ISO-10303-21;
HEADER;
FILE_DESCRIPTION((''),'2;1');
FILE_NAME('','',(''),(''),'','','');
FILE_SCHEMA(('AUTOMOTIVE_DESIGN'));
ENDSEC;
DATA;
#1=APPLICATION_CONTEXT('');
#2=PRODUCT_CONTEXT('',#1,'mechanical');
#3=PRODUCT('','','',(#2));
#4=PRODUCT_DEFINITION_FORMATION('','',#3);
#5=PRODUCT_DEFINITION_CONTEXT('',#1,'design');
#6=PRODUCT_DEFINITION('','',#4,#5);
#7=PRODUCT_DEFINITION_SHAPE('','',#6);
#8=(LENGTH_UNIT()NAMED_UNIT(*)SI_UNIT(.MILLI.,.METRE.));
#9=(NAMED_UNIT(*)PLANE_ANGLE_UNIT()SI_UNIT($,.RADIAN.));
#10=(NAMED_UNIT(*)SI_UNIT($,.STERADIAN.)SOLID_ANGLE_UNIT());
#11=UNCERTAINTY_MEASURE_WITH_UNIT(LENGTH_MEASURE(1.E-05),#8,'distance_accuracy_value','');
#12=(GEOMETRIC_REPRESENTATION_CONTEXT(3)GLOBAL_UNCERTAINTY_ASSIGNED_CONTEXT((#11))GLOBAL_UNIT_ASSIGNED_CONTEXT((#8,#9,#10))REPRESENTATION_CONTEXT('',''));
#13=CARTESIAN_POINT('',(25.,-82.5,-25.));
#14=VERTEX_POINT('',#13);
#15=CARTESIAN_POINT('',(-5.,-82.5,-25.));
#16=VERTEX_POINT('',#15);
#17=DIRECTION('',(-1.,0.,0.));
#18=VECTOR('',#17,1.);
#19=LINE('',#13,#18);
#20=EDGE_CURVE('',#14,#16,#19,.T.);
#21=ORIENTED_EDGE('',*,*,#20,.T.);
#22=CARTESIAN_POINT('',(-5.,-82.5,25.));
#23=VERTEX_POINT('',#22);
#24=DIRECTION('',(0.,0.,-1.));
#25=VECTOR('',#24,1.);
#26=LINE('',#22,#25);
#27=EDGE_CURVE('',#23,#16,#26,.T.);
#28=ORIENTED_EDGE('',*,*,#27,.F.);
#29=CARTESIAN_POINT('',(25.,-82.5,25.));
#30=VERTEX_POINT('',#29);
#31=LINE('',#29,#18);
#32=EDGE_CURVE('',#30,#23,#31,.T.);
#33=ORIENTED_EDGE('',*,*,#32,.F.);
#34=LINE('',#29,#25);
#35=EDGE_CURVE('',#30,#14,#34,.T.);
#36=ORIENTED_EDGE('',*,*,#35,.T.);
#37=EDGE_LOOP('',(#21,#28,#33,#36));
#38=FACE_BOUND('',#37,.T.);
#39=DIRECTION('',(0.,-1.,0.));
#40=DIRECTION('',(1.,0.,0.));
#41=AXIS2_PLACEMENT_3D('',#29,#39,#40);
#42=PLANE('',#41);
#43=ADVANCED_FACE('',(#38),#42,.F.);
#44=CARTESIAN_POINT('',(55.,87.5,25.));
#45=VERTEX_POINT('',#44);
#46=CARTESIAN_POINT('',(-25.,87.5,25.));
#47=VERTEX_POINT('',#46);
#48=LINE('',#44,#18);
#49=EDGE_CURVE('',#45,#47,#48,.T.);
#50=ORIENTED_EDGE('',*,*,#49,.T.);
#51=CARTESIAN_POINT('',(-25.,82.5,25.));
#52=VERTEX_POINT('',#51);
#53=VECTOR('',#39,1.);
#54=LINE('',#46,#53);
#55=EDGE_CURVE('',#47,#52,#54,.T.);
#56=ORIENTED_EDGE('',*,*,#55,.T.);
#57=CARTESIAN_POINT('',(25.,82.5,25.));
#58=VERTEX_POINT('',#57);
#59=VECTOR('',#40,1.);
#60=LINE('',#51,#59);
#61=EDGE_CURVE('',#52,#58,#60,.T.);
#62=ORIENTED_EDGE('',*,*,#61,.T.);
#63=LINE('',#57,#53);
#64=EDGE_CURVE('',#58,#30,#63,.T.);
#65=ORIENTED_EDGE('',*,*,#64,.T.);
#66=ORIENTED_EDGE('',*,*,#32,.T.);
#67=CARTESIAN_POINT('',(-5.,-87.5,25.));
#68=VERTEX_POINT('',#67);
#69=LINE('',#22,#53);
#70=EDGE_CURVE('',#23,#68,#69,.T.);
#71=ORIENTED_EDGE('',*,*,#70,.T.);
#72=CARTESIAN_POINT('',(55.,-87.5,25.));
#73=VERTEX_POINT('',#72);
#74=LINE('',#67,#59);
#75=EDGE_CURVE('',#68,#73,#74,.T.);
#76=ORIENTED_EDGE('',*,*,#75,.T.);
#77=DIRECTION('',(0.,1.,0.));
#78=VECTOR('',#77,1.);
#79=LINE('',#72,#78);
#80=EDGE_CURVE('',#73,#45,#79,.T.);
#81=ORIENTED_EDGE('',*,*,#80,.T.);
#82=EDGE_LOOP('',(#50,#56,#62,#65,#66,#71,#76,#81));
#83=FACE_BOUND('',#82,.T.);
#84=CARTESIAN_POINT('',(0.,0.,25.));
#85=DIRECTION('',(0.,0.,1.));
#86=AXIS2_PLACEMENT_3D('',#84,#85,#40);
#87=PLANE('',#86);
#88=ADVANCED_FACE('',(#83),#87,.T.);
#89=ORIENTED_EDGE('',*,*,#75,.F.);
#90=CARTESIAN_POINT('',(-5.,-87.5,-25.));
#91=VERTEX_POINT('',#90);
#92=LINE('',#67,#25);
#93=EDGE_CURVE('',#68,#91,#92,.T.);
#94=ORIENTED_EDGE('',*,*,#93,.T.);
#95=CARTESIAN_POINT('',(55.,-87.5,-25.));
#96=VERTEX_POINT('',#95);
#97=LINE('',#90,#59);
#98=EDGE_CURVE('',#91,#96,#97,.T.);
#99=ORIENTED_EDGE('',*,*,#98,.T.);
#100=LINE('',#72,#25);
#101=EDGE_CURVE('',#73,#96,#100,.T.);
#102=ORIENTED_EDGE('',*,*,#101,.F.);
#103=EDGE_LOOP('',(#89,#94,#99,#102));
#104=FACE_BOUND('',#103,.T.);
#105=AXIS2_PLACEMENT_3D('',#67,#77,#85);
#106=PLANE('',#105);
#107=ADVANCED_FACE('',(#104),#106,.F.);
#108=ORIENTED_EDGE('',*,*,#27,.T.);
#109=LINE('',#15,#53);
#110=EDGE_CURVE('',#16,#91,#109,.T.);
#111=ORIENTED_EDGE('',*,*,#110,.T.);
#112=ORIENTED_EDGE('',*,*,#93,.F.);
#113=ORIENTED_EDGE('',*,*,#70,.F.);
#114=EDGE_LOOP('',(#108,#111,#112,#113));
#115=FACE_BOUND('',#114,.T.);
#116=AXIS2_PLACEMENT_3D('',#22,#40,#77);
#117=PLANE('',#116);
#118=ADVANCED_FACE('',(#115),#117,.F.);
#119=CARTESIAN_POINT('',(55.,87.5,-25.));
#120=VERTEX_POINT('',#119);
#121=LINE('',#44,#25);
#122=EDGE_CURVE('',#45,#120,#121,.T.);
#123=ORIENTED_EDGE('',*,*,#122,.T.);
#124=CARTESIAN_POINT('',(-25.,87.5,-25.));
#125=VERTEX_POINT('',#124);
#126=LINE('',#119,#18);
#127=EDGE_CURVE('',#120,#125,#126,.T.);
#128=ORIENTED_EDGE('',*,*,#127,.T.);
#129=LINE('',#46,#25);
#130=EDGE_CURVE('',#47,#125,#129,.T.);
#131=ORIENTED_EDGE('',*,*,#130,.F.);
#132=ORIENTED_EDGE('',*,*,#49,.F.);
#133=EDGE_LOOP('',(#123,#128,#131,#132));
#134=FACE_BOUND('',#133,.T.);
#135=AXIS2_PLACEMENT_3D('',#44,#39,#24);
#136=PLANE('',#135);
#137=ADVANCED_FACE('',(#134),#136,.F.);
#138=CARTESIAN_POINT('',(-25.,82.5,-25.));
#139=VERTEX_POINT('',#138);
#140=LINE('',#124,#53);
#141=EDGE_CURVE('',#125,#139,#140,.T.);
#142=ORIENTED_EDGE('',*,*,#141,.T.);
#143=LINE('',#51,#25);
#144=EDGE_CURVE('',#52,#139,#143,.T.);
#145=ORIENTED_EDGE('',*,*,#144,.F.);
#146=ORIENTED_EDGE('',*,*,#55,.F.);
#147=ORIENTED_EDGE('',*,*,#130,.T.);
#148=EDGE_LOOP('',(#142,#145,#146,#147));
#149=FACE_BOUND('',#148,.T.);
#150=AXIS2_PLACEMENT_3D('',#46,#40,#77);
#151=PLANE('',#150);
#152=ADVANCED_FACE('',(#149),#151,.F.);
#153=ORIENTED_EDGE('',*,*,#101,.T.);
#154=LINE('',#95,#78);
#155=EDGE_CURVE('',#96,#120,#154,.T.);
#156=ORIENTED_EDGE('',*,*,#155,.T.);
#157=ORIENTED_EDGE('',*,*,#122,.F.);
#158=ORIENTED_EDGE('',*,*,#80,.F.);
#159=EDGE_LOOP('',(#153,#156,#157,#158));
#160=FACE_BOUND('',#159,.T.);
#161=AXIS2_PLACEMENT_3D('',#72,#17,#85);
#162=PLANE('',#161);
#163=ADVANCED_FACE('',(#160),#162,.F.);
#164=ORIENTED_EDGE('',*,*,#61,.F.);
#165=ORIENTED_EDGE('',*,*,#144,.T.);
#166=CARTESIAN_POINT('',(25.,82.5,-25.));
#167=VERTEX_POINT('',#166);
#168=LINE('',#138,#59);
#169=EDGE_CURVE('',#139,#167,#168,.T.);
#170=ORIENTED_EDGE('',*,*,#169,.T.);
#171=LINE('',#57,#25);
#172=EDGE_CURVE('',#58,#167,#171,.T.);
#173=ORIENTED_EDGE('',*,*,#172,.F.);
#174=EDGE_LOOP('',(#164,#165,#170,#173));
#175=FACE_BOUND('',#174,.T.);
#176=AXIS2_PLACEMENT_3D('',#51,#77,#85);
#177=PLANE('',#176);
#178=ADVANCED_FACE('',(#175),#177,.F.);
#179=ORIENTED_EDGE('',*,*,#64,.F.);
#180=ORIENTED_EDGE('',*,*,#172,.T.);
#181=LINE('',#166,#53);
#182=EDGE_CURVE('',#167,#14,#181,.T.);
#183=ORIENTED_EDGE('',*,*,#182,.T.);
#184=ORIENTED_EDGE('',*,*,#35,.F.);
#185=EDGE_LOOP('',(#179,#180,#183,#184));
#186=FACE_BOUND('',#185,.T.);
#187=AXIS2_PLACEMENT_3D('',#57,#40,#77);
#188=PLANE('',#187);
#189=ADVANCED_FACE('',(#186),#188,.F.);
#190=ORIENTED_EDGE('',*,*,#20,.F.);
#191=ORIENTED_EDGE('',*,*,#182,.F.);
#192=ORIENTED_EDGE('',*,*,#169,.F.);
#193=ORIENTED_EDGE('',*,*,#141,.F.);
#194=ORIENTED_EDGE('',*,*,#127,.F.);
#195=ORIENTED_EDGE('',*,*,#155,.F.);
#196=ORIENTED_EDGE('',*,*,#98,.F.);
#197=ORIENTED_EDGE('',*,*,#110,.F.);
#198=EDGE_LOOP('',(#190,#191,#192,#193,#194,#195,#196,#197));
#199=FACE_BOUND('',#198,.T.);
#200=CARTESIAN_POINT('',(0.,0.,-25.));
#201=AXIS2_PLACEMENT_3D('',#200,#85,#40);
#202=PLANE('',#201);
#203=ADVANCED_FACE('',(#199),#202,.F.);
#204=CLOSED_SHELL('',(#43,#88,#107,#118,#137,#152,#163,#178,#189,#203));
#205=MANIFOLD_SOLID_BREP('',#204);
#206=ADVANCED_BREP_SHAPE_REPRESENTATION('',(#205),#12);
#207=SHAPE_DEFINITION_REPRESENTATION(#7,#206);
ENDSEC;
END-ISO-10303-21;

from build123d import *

# Parameters (mm, degrees)
SALIENTE_EXTRUIR1_DEPTH = 25


with BuildPart() as part:
    # Croquis1 → Saliente-Extruir1 (new, symmetric)
    with BuildSketch(Plane.XY):
        Polygon((-25, 87.5), (-25, 82.5), (25, 82.5), (25, -82.5), (-5, -82.5), (-5, -87.5), (55, -87.5), (55, 87.5), align=None)
    extrude(amount=SALIENTE_EXTRUIR1_DEPTH, both=True)


solid = part.part
